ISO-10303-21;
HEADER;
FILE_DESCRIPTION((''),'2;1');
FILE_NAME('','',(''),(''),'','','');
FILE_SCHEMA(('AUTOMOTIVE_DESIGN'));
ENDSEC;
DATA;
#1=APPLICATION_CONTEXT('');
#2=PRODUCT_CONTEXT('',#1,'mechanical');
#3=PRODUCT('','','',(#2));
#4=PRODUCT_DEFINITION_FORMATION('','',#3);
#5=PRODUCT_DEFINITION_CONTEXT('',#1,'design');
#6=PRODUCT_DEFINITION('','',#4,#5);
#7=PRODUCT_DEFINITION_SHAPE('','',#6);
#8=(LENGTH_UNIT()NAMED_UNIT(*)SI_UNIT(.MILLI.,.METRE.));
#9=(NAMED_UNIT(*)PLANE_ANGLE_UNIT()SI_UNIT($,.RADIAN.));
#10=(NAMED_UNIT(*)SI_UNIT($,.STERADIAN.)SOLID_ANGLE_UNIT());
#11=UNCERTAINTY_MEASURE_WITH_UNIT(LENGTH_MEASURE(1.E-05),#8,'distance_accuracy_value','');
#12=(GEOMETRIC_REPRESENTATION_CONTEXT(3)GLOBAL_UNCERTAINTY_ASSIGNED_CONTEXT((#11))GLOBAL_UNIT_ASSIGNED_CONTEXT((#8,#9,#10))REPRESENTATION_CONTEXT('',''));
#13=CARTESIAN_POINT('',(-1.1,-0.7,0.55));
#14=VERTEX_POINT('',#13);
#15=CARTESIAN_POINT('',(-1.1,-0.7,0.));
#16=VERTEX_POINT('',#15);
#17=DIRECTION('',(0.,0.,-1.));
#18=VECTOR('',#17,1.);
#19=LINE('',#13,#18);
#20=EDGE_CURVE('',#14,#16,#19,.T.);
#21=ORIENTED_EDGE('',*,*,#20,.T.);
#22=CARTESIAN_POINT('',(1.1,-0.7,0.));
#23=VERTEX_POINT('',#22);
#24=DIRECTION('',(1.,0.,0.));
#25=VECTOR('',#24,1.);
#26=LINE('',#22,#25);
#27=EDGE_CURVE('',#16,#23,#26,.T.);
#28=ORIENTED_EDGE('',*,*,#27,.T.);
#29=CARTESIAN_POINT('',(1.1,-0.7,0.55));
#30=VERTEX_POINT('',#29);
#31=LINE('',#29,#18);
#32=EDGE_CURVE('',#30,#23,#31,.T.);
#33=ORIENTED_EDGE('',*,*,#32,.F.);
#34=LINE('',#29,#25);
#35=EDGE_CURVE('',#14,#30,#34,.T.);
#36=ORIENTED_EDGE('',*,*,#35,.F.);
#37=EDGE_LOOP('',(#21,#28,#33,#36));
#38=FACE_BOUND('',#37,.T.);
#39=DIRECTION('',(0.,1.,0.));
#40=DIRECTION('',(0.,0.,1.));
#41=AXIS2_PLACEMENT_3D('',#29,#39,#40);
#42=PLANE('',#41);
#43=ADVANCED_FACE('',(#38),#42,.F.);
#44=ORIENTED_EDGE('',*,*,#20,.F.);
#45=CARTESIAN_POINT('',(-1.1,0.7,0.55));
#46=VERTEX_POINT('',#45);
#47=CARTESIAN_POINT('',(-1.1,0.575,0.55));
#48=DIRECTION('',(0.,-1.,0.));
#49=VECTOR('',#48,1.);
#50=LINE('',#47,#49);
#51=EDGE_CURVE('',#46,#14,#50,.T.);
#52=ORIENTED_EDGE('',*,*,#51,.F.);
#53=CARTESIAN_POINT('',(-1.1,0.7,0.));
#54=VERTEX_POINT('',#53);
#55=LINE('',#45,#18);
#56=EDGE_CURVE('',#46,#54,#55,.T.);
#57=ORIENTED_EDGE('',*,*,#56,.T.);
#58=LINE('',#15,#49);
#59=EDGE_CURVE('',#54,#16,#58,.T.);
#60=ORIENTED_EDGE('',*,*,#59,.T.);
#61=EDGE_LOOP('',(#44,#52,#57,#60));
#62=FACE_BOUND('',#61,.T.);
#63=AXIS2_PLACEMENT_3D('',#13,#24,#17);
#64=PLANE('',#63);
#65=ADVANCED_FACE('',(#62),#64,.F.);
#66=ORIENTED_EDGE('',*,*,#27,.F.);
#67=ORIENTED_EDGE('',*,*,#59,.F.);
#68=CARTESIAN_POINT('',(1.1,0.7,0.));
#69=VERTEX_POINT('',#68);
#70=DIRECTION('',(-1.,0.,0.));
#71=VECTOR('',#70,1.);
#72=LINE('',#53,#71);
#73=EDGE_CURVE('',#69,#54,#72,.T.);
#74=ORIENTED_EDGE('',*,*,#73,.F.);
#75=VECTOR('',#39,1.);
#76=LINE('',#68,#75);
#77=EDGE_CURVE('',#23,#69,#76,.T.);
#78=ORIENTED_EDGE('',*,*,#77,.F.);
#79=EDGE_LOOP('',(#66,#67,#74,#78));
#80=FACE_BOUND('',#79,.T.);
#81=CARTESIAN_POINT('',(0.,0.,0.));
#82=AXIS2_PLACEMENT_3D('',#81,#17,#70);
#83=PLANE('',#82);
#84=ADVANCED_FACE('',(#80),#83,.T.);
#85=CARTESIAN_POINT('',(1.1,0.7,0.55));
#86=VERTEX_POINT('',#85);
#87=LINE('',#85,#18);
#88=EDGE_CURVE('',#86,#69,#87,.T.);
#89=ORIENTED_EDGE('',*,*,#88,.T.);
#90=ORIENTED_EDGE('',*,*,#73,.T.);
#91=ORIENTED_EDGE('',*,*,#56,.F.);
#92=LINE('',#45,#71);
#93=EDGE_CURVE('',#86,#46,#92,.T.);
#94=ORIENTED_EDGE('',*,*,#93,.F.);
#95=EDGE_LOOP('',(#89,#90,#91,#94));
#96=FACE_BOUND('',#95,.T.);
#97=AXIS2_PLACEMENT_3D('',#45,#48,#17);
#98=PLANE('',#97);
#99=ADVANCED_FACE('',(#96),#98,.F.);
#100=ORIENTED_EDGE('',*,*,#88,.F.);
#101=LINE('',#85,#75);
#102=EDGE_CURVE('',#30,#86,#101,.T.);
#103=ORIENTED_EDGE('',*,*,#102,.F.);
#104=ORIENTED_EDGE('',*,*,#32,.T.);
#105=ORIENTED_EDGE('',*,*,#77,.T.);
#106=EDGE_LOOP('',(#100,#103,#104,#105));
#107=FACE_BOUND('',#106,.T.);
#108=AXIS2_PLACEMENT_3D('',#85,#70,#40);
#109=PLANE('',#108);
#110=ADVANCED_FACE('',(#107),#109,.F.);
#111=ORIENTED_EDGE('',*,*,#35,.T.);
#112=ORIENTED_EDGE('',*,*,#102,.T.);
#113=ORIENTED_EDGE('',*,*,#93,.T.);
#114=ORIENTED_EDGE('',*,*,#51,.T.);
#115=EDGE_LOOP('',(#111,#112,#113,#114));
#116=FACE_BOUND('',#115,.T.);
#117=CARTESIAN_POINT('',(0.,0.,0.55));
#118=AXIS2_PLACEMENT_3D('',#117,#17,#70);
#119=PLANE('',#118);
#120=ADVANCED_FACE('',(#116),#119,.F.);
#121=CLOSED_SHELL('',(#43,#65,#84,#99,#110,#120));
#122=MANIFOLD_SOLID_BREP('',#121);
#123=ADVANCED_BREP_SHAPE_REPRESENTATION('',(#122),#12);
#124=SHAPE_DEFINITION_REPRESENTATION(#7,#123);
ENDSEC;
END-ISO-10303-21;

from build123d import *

# Parameters (mm, degrees)
COMPONENT_OUTLINE_DEPTH = 0.55


with BuildPart() as part:
    # 草图1 → Component_Outline (new body)
    with BuildSketch(Plane.XY):
        Polygon((-1.1, -0.7), (-1.1, -0.575), (-1.1, 0.575), (-1.1, 0.7), (1.1, 0.7), (1.1, -0.7), align=None)
    extrude(amount=COMPONENT_OUTLINE_DEPTH)


solid = part.part
